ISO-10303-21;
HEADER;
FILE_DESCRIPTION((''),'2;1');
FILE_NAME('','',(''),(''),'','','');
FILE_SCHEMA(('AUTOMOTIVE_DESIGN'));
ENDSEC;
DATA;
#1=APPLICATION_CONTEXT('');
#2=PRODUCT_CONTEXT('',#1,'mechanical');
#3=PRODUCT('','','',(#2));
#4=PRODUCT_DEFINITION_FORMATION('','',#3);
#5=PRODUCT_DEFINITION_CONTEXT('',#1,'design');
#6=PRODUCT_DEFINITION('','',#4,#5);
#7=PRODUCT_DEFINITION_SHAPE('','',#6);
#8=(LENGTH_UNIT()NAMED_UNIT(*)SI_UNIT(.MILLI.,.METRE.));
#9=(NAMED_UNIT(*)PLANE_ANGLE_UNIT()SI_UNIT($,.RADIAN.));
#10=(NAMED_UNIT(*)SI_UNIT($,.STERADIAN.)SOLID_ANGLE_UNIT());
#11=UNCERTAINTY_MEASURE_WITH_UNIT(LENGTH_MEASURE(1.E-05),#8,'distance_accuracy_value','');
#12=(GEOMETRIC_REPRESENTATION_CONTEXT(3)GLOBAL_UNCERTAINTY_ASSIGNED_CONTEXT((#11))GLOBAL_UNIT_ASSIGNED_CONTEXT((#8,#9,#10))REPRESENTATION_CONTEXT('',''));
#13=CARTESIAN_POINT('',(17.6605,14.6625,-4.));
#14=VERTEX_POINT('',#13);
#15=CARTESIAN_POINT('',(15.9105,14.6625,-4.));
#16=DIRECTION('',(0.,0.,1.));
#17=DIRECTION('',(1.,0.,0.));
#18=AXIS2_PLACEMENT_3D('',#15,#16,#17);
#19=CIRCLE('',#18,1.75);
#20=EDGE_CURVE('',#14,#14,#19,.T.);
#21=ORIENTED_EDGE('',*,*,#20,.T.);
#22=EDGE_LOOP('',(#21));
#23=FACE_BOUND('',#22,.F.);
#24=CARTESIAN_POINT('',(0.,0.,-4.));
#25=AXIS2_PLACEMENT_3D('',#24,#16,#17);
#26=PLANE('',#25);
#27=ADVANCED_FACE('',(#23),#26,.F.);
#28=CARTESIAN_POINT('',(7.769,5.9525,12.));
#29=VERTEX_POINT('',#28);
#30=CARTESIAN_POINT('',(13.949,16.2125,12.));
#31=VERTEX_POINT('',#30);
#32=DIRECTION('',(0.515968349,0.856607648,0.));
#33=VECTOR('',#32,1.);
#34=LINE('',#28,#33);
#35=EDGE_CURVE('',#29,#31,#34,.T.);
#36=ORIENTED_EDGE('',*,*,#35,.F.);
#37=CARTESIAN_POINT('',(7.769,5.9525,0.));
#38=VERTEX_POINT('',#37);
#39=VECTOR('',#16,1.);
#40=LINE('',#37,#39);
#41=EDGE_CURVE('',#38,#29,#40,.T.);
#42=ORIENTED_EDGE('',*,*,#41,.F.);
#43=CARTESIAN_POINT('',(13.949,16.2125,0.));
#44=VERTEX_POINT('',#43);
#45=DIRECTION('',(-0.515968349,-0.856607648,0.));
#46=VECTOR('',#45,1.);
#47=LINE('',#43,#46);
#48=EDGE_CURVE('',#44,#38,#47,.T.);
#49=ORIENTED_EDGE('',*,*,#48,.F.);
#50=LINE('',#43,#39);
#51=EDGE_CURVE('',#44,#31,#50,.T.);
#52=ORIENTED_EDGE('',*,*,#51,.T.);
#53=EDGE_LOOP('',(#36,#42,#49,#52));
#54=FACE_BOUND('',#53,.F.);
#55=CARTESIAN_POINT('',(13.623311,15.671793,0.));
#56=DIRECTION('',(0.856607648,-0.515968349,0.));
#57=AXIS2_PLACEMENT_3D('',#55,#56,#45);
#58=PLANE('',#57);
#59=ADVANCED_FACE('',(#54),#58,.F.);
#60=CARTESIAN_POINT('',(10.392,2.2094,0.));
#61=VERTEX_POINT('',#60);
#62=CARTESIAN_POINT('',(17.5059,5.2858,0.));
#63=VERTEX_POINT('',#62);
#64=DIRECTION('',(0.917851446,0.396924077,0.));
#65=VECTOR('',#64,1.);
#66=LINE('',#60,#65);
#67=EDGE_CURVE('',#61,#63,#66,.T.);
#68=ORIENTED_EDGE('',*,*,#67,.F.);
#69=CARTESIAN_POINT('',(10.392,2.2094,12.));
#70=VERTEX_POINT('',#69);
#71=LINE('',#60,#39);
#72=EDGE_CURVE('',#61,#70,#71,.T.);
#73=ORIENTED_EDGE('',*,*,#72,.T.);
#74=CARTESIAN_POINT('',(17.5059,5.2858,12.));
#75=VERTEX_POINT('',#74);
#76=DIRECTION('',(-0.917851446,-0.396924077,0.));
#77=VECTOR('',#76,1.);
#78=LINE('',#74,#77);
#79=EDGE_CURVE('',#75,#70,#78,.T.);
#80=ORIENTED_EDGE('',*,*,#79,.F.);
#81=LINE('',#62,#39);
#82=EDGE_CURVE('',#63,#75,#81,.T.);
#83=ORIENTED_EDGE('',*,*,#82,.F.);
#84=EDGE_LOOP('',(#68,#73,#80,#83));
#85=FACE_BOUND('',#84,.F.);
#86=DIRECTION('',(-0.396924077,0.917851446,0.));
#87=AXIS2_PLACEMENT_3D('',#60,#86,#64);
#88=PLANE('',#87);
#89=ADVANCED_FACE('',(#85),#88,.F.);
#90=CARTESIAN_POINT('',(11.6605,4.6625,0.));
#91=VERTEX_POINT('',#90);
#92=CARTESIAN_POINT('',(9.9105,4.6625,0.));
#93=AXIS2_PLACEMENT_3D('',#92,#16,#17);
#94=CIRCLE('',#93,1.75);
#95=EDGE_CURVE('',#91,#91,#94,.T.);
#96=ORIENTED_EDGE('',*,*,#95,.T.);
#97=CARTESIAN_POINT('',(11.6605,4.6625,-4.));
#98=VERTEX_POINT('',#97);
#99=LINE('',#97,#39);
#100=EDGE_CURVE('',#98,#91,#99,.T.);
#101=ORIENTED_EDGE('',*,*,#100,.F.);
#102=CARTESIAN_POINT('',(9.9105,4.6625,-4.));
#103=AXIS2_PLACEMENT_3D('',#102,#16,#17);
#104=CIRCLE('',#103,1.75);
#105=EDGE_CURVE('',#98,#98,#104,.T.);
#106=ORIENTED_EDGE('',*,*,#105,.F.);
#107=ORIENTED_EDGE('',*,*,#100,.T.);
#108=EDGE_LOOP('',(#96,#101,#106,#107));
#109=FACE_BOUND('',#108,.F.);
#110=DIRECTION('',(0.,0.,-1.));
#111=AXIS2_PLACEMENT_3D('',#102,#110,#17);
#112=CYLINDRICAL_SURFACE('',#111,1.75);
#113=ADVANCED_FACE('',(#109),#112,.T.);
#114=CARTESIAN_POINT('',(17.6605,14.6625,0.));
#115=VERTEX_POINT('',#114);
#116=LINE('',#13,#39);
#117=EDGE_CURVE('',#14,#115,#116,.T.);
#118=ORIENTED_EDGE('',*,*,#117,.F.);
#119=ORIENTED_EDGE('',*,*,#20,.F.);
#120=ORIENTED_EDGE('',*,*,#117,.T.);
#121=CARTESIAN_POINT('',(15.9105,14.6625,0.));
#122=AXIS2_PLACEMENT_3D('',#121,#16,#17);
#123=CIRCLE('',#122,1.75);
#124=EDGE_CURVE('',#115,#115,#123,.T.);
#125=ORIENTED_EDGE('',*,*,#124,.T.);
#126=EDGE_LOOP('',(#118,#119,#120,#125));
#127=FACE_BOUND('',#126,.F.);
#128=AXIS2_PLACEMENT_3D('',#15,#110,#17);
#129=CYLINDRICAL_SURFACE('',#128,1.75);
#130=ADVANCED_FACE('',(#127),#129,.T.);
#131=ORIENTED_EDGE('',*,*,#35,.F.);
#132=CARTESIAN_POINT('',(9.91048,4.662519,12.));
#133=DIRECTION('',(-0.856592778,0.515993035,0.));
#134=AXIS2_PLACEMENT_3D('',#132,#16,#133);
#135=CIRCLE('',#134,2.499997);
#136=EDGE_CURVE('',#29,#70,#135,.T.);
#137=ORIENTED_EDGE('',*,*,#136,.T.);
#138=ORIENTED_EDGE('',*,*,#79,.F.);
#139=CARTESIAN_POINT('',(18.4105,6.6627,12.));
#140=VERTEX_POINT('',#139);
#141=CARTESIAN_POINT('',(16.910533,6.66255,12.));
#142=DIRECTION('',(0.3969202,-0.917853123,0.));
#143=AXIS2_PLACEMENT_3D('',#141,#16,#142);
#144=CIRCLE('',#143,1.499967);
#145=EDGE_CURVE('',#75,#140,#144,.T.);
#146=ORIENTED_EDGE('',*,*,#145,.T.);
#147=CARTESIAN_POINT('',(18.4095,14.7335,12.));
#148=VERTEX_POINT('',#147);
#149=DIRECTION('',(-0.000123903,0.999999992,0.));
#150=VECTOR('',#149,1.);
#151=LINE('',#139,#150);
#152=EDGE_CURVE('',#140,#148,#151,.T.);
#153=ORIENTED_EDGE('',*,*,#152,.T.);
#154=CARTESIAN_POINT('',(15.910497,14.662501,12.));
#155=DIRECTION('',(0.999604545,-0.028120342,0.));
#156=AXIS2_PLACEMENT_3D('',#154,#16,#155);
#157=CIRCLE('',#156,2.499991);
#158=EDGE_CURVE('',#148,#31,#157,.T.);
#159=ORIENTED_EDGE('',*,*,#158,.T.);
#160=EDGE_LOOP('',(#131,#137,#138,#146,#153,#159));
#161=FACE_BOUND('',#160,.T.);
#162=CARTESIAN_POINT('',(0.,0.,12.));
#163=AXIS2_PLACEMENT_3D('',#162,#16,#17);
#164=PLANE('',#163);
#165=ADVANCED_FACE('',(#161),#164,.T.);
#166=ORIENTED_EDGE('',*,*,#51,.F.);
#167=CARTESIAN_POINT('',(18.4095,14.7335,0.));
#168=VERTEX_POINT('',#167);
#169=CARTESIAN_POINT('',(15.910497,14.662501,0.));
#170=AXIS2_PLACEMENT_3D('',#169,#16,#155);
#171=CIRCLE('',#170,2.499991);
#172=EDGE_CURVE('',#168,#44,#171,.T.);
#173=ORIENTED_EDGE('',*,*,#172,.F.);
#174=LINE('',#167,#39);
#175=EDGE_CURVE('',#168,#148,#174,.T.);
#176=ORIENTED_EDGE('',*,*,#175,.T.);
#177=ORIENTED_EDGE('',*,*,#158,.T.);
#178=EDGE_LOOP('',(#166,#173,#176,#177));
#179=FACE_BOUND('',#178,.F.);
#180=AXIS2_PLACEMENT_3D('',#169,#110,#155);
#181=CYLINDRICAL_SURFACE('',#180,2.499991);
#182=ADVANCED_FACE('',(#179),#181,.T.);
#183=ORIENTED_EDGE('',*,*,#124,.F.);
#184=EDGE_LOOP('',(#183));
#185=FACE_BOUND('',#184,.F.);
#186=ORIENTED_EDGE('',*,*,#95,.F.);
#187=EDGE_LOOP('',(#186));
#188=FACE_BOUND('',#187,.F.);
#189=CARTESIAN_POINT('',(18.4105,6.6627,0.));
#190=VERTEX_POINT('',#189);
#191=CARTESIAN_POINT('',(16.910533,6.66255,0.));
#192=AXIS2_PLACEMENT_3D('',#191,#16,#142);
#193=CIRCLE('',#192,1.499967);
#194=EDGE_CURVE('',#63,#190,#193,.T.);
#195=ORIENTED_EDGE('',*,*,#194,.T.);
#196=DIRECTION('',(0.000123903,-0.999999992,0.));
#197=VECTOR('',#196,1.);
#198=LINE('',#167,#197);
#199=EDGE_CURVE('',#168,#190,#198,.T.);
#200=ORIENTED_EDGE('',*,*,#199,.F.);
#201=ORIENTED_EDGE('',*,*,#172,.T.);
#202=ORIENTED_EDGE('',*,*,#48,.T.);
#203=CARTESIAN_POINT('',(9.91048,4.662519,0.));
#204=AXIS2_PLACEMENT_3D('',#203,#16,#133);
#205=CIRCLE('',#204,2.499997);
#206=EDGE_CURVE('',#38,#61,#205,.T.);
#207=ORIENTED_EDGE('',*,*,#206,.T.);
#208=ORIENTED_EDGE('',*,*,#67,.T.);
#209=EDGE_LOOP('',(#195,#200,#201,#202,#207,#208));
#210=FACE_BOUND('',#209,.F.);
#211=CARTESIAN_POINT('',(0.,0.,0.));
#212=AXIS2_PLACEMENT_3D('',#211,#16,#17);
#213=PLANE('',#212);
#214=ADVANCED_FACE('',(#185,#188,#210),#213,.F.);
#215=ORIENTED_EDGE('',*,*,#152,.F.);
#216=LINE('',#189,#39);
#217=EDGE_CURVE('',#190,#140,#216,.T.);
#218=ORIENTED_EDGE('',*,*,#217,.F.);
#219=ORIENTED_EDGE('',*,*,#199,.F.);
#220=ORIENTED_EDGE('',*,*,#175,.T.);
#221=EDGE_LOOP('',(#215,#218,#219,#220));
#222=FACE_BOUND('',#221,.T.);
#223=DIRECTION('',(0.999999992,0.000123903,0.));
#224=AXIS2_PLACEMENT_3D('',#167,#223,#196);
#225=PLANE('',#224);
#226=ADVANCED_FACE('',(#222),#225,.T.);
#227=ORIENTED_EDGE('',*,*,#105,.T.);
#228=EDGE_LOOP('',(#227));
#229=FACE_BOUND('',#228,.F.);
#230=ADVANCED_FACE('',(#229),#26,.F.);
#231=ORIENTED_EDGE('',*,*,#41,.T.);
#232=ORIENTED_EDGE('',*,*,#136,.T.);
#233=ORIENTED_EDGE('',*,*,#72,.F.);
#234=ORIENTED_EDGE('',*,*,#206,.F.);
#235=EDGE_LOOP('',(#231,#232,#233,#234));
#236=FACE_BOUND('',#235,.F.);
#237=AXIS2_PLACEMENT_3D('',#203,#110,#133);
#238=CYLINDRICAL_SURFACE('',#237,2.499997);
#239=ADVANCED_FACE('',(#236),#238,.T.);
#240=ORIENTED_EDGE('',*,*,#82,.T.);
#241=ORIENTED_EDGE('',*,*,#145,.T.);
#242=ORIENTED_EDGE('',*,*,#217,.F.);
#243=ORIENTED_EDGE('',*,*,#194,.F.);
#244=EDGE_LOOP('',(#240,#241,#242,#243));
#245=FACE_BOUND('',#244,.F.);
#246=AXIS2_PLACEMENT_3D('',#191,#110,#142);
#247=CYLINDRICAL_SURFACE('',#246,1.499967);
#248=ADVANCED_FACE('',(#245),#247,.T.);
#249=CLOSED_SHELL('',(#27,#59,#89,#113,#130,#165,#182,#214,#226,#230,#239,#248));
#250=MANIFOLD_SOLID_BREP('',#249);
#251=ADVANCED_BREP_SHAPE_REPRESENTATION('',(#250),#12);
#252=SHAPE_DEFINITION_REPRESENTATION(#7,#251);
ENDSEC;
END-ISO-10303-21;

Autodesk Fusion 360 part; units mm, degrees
sketch "Sketch1" plane through (0, 0, 0) normal (0, 0, 1) x (1, 0, 0)
  line L0 (10.392, 2.2094) -> (17.5059, 5.2858)
  line L1 (13.949, 16.2125) -> (7.769, 5.9525)
  line L2 (18.4095, 14.7335) -> (18.4105, 6.6627)
  arc A0 (7.769, 5.9525) -> (11.3682, 2.6315) centre (9.9105, 4.6625) ccw
  circle A1 centre (9.9105, 4.6625) radius 1.75
  circle A2 centre (15.9105, 14.6625) radius 1.75
  arc A3 (17.5059, 5.2858) -> (18.4105, 6.6627) centre (16.9105, 6.6625) ccw
  arc A4 (18.4095, 14.5922) -> (13.6233, 15.6718) centre (15.9105, 14.6625) ccw
  dimension "d1" = 5
  dimension "d2" = 5
  dimension "d3" = 3
  dimension "d4" = 3.5
  dimension "d5" = 3.5
  dimension "d6" = 9.9105
  dimension "d7" = 4.6625
  dimension "d8" = 7.1139
  dimension "d9" = 3.0764
  dimension "d10" = 11.3682
  dimension "d11" = 8.0707
  dimension "d12" = 5.9525
  dimension "d13" = 16.2125
  dimension "d14" = 6.6627
extrude "Extrude1" add sketch "Sketch1" along normal blind 12 contours L0 L1 L2 A0 A3 A4
extrude "Extrude2" add sketch "Sketch1" along normal blind 16 from surface at -4 contours A1 | A2
